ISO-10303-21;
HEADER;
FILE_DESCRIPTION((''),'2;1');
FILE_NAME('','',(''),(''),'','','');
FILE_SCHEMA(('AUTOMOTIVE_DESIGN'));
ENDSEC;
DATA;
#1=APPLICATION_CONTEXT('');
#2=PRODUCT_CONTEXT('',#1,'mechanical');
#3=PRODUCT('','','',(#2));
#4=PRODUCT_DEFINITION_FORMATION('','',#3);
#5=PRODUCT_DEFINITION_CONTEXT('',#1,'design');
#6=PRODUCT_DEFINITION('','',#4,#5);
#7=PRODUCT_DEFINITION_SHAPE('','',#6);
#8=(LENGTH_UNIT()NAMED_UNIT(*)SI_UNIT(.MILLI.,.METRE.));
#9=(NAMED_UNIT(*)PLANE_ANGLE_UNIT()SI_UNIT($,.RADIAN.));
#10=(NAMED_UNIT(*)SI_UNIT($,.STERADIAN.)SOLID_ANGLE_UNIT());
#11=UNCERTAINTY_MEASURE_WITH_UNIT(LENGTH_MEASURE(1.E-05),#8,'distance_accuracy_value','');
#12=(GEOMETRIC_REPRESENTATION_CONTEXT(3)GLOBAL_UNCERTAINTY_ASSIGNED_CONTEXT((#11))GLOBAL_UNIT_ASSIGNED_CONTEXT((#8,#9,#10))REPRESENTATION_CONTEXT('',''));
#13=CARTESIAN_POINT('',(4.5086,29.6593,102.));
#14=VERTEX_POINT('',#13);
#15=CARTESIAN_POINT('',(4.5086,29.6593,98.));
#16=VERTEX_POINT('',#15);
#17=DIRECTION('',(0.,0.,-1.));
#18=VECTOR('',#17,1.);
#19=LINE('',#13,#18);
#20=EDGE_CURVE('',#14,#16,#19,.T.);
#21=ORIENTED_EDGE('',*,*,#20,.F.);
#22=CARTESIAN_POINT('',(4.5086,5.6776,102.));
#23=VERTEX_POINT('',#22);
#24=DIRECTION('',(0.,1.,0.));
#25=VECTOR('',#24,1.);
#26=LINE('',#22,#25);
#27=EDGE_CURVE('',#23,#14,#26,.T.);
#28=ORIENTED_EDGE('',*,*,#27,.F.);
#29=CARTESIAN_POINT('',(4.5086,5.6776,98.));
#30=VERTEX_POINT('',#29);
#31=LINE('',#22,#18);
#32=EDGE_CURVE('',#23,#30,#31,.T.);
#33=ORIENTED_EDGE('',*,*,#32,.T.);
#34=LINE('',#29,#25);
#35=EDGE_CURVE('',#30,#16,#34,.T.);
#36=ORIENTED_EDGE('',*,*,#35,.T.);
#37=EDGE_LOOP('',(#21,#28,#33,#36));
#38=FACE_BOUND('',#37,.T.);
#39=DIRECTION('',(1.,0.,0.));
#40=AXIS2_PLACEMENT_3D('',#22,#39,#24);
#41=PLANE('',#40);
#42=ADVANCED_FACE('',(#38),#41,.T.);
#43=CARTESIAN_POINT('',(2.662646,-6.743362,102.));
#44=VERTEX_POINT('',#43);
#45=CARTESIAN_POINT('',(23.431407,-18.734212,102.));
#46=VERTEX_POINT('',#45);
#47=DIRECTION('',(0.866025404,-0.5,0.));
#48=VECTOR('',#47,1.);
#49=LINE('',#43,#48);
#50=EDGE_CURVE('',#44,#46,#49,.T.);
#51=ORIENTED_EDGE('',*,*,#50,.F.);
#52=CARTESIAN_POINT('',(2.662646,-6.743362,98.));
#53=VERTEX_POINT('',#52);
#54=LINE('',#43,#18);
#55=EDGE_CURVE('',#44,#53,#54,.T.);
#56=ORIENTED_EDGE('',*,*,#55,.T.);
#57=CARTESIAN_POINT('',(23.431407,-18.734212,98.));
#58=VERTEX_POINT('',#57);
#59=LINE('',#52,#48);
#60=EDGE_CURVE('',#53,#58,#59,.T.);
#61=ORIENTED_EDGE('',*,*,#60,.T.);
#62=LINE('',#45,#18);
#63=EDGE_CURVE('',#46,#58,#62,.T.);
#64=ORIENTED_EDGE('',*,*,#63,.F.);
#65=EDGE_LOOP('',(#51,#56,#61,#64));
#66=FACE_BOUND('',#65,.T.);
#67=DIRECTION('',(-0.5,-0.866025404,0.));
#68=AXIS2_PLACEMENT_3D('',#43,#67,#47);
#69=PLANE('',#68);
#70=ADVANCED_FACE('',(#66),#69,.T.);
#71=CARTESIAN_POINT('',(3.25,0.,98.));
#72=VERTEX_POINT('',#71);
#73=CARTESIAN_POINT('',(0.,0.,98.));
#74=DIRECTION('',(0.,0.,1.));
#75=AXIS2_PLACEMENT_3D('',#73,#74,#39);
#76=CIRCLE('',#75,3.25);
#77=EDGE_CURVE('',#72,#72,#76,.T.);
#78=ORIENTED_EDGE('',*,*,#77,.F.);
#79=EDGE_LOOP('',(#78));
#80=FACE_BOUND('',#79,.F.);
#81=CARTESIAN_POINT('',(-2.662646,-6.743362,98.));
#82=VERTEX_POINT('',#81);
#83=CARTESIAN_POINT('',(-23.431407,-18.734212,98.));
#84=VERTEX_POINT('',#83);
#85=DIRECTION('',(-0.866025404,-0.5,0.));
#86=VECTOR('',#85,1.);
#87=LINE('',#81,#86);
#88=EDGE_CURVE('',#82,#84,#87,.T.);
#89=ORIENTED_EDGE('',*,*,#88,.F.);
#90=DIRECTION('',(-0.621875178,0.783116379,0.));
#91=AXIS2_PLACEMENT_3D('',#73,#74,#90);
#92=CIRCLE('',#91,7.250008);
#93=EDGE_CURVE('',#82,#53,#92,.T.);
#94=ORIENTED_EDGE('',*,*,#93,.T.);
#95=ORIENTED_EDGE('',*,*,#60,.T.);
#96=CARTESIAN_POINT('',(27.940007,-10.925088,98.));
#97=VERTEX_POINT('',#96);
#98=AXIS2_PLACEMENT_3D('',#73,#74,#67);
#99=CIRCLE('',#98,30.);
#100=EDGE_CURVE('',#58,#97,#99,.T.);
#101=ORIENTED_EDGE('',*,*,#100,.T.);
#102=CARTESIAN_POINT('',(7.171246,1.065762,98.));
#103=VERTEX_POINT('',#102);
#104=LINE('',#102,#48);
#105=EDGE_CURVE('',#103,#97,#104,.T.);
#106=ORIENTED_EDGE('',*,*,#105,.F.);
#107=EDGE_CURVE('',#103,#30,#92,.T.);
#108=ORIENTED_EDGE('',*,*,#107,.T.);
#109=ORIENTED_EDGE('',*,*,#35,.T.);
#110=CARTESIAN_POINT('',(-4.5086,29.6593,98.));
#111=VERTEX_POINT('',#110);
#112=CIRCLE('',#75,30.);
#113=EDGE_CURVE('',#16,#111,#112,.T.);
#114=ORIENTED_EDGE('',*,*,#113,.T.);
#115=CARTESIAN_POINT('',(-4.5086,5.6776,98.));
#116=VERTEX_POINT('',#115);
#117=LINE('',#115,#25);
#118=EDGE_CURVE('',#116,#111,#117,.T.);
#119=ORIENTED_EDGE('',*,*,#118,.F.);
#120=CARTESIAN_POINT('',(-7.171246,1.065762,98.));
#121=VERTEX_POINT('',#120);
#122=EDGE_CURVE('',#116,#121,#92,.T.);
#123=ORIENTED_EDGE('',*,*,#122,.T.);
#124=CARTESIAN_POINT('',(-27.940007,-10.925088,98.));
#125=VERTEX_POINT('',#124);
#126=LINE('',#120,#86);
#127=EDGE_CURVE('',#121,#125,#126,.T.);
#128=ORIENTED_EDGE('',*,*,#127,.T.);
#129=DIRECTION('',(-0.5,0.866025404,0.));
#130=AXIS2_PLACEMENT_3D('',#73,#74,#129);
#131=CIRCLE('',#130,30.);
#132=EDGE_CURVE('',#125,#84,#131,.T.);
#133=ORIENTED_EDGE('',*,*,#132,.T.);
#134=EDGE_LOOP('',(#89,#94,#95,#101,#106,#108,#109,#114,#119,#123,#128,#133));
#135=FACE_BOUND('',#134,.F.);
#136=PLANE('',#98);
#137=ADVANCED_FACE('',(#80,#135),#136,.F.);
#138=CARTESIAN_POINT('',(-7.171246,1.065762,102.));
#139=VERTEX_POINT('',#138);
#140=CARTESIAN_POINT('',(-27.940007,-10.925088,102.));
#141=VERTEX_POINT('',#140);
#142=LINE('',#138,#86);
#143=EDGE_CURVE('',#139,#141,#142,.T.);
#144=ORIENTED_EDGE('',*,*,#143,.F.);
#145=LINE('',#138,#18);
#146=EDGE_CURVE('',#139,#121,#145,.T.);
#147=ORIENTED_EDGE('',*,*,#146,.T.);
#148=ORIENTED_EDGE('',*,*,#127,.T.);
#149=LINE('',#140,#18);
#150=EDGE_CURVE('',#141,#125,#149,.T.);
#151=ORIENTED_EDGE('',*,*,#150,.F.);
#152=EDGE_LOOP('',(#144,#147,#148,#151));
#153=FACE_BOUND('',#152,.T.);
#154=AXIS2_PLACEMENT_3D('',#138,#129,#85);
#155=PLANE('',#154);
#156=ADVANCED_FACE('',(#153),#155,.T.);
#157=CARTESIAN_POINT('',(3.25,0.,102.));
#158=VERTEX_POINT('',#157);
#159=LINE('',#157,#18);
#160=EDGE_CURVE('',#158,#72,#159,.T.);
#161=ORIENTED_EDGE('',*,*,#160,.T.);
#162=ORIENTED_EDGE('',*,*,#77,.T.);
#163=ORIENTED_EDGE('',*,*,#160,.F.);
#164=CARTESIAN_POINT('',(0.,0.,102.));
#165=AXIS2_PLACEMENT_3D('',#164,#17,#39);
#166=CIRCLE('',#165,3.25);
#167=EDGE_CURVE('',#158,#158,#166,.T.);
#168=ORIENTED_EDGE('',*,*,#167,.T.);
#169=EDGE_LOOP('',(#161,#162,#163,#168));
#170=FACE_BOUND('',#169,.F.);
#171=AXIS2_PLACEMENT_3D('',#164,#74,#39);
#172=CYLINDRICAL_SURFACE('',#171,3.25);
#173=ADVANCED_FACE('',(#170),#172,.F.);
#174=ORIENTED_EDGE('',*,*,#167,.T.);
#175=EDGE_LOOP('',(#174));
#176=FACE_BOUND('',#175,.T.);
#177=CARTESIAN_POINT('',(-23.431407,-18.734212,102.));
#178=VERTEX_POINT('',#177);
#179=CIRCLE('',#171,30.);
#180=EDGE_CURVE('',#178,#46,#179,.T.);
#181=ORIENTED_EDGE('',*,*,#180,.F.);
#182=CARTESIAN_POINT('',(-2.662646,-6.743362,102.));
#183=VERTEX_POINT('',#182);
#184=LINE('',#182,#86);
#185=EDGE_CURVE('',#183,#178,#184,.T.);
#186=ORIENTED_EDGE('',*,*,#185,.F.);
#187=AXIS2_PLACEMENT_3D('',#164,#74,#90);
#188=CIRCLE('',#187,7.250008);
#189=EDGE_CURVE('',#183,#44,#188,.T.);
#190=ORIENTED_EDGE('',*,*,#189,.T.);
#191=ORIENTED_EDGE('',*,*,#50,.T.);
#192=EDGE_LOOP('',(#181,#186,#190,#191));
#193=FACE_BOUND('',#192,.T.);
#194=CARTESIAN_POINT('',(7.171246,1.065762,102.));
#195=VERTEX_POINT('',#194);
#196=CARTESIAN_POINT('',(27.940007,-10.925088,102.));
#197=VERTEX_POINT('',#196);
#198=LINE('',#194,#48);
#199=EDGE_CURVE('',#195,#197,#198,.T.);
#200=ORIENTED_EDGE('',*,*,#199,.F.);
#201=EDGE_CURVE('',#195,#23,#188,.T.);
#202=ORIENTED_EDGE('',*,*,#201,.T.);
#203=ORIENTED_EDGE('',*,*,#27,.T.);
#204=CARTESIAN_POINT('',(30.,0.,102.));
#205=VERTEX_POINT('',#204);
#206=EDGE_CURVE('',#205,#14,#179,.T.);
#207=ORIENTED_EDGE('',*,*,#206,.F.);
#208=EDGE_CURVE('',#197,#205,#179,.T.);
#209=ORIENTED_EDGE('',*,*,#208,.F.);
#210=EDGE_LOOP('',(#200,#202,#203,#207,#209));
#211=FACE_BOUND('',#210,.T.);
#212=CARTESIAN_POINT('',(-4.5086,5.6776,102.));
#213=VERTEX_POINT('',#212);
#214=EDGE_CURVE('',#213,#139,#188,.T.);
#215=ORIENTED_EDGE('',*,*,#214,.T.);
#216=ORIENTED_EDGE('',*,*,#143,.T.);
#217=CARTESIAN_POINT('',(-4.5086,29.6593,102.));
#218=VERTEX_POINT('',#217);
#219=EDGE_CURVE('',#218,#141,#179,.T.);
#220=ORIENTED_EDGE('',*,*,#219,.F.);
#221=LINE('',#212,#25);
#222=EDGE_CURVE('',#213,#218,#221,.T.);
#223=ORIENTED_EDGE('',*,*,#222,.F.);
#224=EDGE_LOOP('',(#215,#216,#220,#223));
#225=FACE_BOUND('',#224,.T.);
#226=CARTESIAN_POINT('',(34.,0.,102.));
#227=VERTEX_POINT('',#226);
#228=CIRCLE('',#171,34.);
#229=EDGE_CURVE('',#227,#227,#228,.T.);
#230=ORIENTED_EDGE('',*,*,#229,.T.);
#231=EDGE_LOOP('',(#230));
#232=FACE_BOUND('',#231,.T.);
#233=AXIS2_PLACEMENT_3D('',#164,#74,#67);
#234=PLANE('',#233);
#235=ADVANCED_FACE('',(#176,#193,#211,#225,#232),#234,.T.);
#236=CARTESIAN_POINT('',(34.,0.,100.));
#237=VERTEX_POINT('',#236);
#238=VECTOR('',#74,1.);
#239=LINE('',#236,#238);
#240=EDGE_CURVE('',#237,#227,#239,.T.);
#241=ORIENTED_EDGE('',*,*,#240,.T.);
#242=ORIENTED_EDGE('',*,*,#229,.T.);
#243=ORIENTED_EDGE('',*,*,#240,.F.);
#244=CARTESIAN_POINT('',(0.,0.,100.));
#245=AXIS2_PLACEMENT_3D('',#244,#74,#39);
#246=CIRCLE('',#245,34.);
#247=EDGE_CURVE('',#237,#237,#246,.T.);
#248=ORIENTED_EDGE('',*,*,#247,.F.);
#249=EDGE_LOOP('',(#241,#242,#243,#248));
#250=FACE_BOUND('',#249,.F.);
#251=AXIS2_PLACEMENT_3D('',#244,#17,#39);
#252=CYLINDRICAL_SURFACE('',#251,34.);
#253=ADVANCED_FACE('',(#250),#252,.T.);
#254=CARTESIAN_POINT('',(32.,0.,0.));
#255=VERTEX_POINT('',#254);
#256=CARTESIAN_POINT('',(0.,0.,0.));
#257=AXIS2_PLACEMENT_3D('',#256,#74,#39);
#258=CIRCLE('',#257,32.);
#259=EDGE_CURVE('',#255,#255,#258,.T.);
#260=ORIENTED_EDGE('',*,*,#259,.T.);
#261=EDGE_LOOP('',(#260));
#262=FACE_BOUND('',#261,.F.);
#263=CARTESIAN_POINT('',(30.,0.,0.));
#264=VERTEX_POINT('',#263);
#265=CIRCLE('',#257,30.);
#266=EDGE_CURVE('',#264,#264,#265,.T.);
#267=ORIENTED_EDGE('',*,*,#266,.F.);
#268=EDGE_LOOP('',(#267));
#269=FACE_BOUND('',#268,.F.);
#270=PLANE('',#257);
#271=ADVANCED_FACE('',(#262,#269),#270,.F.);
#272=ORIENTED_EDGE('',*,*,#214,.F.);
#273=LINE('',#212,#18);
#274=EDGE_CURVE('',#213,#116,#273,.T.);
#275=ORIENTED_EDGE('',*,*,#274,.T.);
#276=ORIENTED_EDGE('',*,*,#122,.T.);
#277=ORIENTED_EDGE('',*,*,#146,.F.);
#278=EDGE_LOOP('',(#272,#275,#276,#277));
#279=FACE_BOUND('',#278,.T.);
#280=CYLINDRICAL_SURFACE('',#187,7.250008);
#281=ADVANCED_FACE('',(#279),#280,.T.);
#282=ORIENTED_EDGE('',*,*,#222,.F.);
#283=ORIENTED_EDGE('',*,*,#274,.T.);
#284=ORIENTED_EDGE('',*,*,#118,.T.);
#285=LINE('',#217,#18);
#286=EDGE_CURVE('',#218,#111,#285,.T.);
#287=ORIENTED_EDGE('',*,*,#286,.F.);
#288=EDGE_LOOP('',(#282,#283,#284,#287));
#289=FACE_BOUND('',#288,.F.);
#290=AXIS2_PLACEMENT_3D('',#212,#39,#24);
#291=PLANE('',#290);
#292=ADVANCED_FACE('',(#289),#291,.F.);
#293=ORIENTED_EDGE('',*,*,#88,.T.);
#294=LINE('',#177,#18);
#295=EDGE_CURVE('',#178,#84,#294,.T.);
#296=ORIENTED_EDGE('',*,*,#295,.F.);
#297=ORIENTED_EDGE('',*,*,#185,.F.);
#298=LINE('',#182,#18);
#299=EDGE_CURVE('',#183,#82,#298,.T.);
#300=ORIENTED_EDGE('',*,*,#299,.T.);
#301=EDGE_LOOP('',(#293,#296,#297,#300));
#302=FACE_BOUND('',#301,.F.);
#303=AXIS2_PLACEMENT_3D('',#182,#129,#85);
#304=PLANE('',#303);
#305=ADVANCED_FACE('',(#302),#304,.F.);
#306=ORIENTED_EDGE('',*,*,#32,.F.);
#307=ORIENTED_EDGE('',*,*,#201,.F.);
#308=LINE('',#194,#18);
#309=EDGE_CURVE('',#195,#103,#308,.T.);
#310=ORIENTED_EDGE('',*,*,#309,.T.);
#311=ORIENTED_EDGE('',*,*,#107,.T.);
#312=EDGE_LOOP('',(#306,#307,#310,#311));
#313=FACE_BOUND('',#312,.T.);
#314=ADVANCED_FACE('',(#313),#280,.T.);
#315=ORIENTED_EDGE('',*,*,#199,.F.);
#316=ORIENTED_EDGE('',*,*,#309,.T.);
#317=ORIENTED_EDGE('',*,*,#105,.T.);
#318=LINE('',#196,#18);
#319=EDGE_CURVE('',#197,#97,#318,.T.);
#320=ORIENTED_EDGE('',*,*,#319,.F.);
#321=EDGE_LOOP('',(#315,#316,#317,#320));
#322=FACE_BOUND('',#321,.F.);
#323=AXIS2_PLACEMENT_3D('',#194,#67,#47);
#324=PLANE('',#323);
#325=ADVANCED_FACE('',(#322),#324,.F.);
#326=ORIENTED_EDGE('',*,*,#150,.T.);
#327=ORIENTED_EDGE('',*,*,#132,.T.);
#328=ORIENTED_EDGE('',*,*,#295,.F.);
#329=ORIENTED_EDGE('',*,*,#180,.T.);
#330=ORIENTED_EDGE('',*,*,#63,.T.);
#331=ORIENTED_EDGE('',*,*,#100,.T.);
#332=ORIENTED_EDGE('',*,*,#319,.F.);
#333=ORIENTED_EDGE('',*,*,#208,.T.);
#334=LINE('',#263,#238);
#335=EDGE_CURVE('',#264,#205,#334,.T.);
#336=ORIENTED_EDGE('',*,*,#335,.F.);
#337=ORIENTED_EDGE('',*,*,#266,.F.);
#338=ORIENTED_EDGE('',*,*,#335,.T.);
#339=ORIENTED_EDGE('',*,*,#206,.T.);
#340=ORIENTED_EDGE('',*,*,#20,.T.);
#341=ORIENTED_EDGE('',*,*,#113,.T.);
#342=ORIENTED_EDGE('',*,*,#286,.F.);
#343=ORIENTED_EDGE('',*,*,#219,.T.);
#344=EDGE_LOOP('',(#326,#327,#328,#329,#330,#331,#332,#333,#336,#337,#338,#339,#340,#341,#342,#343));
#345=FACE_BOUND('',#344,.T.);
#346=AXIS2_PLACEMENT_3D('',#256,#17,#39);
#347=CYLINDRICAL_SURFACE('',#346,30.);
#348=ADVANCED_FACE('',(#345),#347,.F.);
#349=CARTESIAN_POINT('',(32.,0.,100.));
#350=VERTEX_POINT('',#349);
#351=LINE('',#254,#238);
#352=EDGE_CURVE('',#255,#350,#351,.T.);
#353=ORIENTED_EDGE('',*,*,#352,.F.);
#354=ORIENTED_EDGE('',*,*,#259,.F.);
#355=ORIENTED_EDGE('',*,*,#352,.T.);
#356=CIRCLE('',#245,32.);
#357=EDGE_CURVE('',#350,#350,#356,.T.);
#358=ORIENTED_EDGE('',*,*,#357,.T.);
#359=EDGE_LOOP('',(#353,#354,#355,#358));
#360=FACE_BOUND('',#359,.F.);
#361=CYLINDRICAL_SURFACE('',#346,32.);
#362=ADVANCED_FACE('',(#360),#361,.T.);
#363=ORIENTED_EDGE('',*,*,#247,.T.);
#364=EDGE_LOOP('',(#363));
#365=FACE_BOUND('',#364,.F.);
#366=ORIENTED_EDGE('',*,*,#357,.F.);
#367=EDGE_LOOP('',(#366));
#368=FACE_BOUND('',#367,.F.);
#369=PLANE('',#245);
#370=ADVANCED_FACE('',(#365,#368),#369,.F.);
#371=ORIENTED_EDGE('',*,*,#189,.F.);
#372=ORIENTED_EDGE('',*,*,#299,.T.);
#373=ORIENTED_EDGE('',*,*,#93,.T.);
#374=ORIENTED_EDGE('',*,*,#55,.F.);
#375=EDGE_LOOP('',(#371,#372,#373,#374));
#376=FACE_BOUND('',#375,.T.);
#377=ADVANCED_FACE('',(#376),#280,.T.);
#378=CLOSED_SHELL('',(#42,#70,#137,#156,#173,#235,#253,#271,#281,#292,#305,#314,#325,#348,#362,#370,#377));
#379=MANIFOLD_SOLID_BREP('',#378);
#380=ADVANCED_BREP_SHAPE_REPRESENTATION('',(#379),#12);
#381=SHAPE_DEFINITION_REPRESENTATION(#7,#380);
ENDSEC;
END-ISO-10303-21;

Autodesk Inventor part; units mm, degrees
ref_plane "YZ Plane" through (0, 0, 0) normal (1, 0, 0) x (0, 1, 0)
ref_plane "XZ Plane" through (0, 0, 0) normal (0, 1, 0) x (-1, 0, 0)
ref_plane "XY Plane" through (0, 0, 0) normal (0, 0, 1) x (1, 0, 0)
sketch "Sketch1" plane through (0, 0, 0) normal (0, 0, 1) x (1, 0, 0)
  circle A0 centre (0, 0) radius 30
  circle A1 centre (0, 0) radius 32
  dimension "d0" = 60
  dimension "d1" = 2
extrude "Extrusion1" add sketch "Sketch1" along normal blind 100
sketch "Sketch2" plane through (0, 0, 100) normal (0, 0, 1) x (1, 0, 0)
  circle A0 centre (0, 0) radius 34
  circle A1 centre (0, 0) radius 32 projected
  circle A2 centre (0, 0) radius 30 projected
  dimension "d4" = 2
extrude "Extrusion2" add sketch "Sketch2" along normal blind 2 contours A0 | A1
sketch "Sketch3" plane through (0, 0, 102) normal (0, 0, 1) x (1, 0, 0)
  circle A0 centre (0, 0) radius 3.25
  arc A1 (-4.5086, 5.6776) -> (4.5086, 5.6776) centre (0, 0) ccw
  line L0 (-4.5086, 5.6776) -> (-4.5086, 29.6593)
  circle A2 centre (0, 0) radius 30 projected
  line L1 (4.5086, 5.6776) -> (4.5086, 29.6593)
  dimension "d7" = 6.5
  dimension "d8" = 4
extrude "Extrusion3" add sketch "Sketch3" against normal blind 4 contours L0 A2 L1 A1 picked at (0.5026, 13.7724)
pattern_circular "Circular Pattern1" count 3 over 360 about axis through (0, 0, 0) along (0, 0, 1) of "Extrusion3"
properties part number "Bobbin-Emma"
